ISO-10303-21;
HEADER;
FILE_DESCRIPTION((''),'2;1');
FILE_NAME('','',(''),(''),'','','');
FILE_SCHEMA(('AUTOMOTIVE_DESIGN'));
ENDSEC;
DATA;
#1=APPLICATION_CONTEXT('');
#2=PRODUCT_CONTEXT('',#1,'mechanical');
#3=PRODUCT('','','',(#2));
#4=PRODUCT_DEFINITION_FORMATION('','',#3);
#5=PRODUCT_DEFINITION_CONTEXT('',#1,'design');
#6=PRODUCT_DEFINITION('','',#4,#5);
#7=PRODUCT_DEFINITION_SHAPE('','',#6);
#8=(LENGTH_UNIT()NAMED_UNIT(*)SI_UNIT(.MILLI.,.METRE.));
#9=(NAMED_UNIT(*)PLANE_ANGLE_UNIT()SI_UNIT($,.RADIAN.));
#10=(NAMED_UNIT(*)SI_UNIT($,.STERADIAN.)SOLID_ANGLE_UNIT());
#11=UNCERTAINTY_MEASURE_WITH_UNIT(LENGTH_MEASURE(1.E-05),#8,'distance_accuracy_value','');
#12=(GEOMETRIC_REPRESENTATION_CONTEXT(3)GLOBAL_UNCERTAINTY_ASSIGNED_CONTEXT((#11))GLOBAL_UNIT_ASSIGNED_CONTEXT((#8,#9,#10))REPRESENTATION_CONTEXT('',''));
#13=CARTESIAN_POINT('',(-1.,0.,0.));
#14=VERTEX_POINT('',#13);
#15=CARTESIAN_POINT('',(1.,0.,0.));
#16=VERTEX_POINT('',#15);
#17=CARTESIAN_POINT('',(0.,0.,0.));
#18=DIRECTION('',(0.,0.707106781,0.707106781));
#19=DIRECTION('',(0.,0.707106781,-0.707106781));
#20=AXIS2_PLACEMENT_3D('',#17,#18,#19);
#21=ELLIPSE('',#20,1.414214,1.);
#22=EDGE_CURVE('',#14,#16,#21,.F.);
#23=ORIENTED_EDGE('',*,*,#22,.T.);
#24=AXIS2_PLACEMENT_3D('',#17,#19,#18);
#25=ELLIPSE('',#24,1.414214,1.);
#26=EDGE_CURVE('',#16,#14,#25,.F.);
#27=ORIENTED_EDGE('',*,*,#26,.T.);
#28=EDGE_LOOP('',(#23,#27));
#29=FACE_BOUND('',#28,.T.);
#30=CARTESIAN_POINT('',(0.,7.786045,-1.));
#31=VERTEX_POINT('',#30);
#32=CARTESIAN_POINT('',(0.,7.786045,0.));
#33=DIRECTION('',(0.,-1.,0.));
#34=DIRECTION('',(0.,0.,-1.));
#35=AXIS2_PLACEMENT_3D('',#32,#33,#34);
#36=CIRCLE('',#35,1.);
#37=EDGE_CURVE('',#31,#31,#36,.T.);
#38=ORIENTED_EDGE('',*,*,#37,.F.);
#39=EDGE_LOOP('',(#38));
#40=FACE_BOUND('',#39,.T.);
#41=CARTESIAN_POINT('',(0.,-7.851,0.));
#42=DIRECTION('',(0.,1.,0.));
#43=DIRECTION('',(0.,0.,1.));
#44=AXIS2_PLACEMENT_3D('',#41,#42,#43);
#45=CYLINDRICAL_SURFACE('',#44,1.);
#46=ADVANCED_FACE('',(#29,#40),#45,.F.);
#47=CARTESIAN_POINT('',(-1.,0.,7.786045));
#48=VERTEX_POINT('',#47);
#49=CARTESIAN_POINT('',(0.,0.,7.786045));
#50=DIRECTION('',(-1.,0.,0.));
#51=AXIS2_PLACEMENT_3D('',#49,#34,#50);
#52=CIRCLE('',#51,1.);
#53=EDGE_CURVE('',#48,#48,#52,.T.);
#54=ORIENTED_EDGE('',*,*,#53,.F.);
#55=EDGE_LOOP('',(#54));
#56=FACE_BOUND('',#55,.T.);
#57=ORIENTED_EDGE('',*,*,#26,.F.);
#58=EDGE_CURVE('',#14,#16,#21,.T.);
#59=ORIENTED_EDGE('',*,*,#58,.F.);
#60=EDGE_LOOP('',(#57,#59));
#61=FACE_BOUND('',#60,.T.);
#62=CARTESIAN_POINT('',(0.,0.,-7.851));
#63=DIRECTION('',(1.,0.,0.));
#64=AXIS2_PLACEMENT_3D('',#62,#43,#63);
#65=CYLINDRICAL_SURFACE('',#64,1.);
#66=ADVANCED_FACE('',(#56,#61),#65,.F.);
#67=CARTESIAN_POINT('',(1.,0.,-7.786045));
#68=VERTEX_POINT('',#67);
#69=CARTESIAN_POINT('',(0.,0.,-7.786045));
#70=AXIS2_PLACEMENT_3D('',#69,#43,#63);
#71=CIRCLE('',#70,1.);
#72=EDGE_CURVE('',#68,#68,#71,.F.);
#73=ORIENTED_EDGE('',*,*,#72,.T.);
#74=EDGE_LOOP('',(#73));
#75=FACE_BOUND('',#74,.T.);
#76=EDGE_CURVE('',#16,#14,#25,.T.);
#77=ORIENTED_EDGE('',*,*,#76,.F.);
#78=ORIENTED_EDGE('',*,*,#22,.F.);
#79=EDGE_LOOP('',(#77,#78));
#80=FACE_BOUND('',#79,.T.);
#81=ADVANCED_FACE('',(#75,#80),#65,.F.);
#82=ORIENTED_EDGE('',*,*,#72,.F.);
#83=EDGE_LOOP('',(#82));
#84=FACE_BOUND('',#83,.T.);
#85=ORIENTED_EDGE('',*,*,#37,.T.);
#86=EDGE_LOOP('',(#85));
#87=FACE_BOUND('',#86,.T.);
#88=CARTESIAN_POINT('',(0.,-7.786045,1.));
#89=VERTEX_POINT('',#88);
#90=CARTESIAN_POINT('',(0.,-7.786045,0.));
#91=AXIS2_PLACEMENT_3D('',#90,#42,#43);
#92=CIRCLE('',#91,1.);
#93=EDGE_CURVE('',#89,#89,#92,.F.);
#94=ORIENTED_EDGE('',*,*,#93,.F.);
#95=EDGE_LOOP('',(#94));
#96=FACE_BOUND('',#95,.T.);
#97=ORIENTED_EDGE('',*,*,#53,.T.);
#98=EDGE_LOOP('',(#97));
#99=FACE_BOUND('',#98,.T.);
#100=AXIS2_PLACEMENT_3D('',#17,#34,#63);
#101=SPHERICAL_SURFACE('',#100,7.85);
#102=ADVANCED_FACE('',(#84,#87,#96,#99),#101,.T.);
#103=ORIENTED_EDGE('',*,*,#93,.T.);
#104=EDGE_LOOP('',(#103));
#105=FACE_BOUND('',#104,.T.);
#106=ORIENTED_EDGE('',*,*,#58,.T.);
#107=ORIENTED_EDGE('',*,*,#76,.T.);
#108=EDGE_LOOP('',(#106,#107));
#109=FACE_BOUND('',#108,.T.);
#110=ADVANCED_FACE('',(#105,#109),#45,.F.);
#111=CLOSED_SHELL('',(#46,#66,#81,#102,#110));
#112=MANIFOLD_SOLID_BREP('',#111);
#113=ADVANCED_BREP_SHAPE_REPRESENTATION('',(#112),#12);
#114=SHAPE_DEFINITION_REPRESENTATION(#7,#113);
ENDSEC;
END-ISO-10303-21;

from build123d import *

# Parameters (mm, degrees)
CUT_EXTRUDE3_REACH                  = 15.597
CUT_EXTRUDE3_END_RADIUS             = 7.85
SKETCH3_R                           = 1
CUT_EXTRUDE3_DIRECTION_2_REACH      = 15.597
CUT_EXTRUDE3_DIRECTION_2_END_RADIUS = 7.85
CUT_EXTRUDE4_REACH                  = 15.597
CUT_EXTRUDE4_END_RADIUS             = 7.85
SKETCH4_R                           = 1
CUT_EXTRUDE4_DIRECTION_2_REACH      = 15.597
CUT_EXTRUDE4_DIRECTION_2_END_RADIUS = 7.85


with BuildPart() as part:
    # Sketch2 → Revolve1 (revolve)
    with BuildSketch(Plane(origin=(0, 0, 0), x_dir=(1, 0, 0), z_dir=(0, 1, 0))):
        with BuildLine():
            Line((0, 7.85), (0, -7.85))
            ThreePointArc((0, -7.85), (7.85, 0), (0, 7.85))
        make_face()
    revolve(axis=Axis((0, 0, -7.85), (0, 0, 1)))

    # Cut-Extrude3: up to this sphere (the profile starts inside it)
    cut_extrude3_end = Location((0, 0, 0)) * Sphere(CUT_EXTRUDE3_END_RADIUS, mode=Mode.PRIVATE)
    # Sketch3 → Cut-Extrude3 (cut, up to the surface)
    with BuildSketch(Plane(origin=(0, 0, 0), x_dir=(1, 0, 0), z_dir=(0, 1, 0)), mode=Mode.PRIVATE) as cut_extrude3_sk1:
        with Locations(Location((0, 0, 0), (0, 0, 90))):
            Circle(SKETCH3_R)
    cut_extrude3_tool1 = extrude(cut_extrude3_sk1.sketch, amount=-CUT_EXTRUDE3_REACH, mode=Mode.PRIVATE) & cut_extrude3_end
    add(cut_extrude3_tool1.solids().sort_by_distance((0, 0, 0))[0], mode=Mode.SUBTRACT)

    # Cut-Extrude3 direction 2: up to this sphere (the profile starts inside it)
    cut_extrude3_direction_2_end = Location((0, 0, 0)) * Sphere(CUT_EXTRUDE3_DIRECTION_2_END_RADIUS, mode=Mode.PRIVATE)
    # Sketch3 → Cut-Extrude3 direction 2 (cut, up to the surface)
    with BuildSketch(Plane(origin=(0, 0, 0), x_dir=(1, 0, 0), z_dir=(0, 1, 0)), mode=Mode.PRIVATE) as cut_extrude3_direction_2_sk1:
        with Locations(Location((0, 0, 0), (0, 0, 90))):
            Circle(SKETCH3_R)
    cut_extrude3_direction_2_tool1 = extrude(cut_extrude3_direction_2_sk1.sketch, amount=CUT_EXTRUDE3_DIRECTION_2_REACH, mode=Mode.PRIVATE) & cut_extrude3_direction_2_end
    add(cut_extrude3_direction_2_tool1.solids().sort_by_distance((0, 0, 0))[0], mode=Mode.SUBTRACT)

    # Cut-Extrude4: up to this sphere (the profile starts inside it)
    cut_extrude4_end = Location((0, 0, 0)) * Sphere(CUT_EXTRUDE4_END_RADIUS, mode=Mode.PRIVATE)
    # Sketch4 → Cut-Extrude4 (cut, up to the surface)
    with BuildSketch(Plane.XY, mode=Mode.PRIVATE) as cut_extrude4_sk1:
        Circle(SKETCH4_R)
    cut_extrude4_tool1 = extrude(cut_extrude4_sk1.sketch, amount=-CUT_EXTRUDE4_REACH, mode=Mode.PRIVATE) & cut_extrude4_end
    add(cut_extrude4_tool1.solids().sort_by_distance((0, 0, 0))[0], mode=Mode.SUBTRACT)

    # Cut-Extrude4 direction 2: up to this sphere (the profile starts inside it)
    cut_extrude4_direction_2_end = Location((0, 0, 0)) * Sphere(CUT_EXTRUDE4_DIRECTION_2_END_RADIUS, mode=Mode.PRIVATE)
    # Sketch4 → Cut-Extrude4 direction 2 (cut, up to the surface)
    with BuildSketch(Plane.XY, mode=Mode.PRIVATE) as cut_extrude4_direction_2_sk1:
        Circle(SKETCH4_R)
    cut_extrude4_direction_2_tool1 = extrude(cut_extrude4_direction_2_sk1.sketch, amount=CUT_EXTRUDE4_DIRECTION_2_REACH, mode=Mode.PRIVATE) & cut_extrude4_direction_2_end
    add(cut_extrude4_direction_2_tool1.solids().sort_by_distance((0, 0, 0))[0], mode=Mode.SUBTRACT)


solid = part.part
